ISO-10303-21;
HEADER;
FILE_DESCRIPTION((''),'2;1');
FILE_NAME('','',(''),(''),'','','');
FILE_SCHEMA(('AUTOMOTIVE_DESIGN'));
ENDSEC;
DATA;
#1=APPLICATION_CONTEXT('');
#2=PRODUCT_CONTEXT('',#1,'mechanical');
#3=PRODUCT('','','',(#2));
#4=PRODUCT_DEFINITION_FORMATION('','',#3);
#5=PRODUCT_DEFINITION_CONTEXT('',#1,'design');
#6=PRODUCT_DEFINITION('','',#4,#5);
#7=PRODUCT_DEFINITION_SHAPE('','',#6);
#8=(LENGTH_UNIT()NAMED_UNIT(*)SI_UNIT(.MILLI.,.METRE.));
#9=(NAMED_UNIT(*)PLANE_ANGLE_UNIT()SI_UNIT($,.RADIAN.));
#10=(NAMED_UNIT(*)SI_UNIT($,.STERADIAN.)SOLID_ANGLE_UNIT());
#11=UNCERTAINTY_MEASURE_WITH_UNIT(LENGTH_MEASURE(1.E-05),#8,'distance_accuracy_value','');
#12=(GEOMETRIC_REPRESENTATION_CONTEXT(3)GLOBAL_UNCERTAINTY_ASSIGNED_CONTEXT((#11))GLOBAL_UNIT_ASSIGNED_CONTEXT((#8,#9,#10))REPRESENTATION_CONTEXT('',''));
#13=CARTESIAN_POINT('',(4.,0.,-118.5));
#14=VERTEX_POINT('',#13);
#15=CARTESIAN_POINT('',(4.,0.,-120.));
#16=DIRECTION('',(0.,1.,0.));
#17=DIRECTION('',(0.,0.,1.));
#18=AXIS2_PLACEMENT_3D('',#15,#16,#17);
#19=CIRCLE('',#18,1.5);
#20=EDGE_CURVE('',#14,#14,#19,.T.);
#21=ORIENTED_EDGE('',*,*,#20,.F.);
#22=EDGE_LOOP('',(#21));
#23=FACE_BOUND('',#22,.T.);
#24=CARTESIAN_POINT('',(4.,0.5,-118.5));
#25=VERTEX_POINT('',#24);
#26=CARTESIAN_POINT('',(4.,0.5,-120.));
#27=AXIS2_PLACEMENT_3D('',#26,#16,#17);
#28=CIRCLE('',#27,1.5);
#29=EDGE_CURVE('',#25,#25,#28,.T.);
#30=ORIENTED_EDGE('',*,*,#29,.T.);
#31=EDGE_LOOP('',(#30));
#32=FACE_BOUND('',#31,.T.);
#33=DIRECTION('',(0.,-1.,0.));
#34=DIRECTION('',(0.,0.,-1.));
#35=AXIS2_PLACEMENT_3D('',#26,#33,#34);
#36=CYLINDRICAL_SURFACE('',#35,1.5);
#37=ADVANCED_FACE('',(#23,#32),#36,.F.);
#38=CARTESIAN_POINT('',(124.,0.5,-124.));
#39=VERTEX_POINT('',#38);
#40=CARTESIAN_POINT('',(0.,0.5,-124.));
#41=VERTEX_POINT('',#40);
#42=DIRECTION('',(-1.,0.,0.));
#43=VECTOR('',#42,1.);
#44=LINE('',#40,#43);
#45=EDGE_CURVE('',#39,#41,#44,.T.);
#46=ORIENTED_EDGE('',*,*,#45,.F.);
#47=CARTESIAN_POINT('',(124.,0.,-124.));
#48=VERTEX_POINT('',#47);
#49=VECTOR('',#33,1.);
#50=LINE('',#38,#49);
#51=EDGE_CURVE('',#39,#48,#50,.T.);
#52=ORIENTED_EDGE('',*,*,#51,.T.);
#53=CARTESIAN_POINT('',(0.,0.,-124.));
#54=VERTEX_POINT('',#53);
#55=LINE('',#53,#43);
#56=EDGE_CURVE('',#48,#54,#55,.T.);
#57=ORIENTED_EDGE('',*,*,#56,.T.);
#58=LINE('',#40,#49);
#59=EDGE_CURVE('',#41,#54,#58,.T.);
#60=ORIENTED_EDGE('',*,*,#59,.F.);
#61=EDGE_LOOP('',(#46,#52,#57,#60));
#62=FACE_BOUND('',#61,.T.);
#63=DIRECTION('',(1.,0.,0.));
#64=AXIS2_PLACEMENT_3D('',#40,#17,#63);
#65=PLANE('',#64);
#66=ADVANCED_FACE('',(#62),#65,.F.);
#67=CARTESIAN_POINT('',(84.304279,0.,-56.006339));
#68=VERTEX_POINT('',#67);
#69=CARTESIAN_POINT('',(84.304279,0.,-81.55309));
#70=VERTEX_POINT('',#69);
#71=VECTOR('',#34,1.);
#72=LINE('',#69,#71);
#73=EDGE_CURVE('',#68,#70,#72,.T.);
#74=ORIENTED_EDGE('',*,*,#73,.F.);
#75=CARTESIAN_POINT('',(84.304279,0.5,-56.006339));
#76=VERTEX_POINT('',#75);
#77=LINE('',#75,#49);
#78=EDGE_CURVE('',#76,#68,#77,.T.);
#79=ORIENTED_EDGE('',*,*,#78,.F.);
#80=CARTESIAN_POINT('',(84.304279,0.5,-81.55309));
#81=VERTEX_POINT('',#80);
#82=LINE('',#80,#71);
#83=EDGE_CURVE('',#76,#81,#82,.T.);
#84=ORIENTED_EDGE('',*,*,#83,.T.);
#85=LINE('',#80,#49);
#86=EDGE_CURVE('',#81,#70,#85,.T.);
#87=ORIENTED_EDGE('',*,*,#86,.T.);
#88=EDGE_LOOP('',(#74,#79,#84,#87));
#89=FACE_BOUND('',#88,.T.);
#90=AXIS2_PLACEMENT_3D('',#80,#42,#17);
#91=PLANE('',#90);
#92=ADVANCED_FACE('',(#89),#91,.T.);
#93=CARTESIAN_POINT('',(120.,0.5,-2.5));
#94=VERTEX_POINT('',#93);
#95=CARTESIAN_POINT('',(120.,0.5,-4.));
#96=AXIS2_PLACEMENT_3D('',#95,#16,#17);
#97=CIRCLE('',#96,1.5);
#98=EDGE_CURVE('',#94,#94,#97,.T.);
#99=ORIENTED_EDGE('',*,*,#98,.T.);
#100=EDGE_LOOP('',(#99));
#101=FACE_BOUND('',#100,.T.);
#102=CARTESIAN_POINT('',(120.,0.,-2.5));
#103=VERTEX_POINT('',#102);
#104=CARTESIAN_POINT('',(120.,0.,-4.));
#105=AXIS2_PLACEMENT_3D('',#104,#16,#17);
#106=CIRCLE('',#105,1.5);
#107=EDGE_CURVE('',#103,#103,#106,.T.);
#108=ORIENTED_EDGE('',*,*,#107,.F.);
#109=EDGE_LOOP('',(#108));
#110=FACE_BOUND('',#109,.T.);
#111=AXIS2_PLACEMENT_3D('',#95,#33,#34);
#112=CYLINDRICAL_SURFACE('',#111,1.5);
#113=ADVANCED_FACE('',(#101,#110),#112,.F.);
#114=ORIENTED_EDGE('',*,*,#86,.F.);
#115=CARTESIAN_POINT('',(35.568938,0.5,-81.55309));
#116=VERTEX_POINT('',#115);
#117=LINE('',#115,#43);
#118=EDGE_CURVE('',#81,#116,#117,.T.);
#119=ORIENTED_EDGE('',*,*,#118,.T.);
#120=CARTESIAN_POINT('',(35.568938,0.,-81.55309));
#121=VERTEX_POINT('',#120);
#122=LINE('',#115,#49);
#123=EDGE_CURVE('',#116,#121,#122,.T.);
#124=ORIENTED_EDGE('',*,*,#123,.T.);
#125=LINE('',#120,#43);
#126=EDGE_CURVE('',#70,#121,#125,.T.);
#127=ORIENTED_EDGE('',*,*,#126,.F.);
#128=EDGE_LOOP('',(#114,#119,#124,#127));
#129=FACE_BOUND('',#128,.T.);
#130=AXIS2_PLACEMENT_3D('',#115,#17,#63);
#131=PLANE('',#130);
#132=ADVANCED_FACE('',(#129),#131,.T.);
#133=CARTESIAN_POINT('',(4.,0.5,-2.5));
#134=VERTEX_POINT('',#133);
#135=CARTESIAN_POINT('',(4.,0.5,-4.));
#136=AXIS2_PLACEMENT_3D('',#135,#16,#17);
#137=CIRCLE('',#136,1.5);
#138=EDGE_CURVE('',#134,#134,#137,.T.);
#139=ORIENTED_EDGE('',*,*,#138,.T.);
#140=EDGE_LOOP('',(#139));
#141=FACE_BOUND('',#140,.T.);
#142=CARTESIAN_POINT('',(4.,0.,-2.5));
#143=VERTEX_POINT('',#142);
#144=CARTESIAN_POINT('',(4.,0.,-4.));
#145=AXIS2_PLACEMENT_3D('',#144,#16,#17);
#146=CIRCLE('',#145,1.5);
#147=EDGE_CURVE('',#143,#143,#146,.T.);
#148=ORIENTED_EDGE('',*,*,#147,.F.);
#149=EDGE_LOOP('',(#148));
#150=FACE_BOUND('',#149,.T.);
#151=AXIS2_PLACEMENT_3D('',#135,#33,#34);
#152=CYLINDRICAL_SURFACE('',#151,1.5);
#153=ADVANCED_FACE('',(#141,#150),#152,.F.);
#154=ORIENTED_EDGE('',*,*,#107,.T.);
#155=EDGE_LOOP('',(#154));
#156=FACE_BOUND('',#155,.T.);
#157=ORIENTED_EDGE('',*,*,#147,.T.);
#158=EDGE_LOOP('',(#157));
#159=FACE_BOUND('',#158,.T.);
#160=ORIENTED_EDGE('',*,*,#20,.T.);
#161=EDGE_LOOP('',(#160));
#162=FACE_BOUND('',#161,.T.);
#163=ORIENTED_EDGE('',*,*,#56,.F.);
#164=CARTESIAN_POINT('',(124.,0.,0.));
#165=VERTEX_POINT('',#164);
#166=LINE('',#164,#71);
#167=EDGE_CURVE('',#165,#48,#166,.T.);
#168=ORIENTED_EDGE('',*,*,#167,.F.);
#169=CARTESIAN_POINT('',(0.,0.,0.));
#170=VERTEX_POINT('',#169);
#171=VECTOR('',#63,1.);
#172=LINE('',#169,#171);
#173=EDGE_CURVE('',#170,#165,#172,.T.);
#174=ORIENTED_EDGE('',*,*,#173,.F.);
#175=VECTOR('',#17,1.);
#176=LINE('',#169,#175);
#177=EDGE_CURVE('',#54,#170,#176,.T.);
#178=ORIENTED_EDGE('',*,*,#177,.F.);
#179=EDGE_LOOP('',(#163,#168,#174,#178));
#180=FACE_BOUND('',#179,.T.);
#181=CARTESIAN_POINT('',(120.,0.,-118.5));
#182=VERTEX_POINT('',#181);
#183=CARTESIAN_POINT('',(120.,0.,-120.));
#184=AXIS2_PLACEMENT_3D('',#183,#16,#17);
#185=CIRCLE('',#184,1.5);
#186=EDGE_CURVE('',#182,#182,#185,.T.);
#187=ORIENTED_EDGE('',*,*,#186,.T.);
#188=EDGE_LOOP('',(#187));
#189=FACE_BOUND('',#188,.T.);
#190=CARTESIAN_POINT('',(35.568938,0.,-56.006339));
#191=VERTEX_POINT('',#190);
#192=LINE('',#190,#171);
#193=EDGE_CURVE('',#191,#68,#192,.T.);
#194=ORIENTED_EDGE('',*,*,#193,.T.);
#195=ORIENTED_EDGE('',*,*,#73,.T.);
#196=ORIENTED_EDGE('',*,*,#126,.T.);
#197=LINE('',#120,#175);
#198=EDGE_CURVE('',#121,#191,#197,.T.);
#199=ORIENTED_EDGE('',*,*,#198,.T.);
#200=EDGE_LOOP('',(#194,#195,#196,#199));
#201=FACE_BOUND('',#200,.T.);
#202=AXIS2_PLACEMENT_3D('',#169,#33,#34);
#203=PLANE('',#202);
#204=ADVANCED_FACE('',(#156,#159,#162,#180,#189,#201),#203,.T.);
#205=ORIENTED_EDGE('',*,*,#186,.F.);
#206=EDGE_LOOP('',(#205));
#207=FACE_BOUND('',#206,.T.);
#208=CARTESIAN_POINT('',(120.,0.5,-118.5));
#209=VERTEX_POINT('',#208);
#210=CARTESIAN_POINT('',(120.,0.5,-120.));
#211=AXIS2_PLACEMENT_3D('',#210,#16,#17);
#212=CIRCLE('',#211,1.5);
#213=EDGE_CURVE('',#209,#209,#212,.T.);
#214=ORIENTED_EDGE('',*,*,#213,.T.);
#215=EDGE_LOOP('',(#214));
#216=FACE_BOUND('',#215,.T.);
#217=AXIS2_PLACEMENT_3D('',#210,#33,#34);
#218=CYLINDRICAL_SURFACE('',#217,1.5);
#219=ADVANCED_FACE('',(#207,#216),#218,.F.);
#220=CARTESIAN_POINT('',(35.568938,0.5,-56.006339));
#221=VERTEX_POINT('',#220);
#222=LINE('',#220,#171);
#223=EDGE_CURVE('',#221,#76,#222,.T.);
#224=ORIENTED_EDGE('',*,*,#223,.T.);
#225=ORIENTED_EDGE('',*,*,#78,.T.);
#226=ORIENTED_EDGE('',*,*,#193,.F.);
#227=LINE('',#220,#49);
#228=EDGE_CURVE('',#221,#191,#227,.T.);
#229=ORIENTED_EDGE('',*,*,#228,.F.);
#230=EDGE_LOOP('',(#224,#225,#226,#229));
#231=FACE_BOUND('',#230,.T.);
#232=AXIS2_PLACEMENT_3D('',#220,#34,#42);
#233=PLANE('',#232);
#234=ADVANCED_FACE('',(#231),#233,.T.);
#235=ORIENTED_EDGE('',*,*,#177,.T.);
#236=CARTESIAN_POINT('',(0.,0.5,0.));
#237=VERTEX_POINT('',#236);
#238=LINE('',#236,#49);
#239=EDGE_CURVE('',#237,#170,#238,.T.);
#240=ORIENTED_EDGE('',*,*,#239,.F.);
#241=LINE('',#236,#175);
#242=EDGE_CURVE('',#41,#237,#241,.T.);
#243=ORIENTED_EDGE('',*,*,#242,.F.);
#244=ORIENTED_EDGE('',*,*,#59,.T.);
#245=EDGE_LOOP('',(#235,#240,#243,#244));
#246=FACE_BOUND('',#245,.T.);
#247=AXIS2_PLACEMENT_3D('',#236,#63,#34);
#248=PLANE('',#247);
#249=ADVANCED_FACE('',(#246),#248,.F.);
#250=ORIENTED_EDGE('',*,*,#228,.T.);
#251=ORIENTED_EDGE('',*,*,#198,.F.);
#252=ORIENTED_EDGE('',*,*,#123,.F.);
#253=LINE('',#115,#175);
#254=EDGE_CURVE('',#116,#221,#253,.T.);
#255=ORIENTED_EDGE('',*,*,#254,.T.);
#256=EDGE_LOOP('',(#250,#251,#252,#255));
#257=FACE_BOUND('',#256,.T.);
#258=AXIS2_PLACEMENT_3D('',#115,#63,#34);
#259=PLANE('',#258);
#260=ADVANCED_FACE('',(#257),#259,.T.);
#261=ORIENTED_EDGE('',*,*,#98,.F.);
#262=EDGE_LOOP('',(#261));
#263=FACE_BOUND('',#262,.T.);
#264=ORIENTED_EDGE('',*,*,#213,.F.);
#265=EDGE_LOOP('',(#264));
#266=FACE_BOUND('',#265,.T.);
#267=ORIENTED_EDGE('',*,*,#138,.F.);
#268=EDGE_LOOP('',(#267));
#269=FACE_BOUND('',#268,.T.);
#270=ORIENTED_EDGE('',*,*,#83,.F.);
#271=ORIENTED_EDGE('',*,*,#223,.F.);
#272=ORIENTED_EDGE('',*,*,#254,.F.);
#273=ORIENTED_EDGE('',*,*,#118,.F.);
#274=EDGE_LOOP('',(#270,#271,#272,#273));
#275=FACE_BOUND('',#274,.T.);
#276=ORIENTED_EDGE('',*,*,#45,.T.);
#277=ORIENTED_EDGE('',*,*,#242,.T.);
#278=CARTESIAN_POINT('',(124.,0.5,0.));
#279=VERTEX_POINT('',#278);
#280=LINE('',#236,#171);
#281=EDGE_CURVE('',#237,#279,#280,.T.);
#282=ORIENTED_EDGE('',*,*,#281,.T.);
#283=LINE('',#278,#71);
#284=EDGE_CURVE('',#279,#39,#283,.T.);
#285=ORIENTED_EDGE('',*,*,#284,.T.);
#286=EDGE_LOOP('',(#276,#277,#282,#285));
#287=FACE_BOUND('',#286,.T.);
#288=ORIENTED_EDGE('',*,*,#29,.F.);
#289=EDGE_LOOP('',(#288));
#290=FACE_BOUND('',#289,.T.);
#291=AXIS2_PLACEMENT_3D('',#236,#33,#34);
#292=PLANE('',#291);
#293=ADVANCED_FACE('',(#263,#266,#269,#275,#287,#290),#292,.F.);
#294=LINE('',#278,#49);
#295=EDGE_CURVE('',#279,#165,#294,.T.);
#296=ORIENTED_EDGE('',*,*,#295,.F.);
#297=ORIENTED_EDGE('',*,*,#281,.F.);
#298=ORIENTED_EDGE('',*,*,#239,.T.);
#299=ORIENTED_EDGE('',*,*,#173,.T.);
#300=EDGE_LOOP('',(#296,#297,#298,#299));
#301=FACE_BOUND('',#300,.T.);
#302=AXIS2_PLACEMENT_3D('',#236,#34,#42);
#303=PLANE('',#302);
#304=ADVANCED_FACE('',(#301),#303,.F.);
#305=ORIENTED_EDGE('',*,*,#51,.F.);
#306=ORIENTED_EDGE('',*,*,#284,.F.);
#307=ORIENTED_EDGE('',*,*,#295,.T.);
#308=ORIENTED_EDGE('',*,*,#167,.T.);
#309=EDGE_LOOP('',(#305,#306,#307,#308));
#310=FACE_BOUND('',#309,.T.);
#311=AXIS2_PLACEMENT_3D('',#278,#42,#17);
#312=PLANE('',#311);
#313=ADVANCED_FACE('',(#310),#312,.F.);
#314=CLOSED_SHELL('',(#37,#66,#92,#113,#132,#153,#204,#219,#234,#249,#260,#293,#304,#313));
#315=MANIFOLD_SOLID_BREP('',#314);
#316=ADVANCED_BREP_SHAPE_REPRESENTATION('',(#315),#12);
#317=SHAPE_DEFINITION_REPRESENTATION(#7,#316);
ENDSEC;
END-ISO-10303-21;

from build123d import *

# Parameters (mm, degrees)
SKETCH_1_W      = 124
SKETCH_1_H      = 124
SKETCH_1_R      = 1.5
SKETCH_1_W_2    = 48.735340729
SKETCH_1_H_2    = 25.546751189
EXTRUDE_1_DEPTH = 0.5


with BuildPart() as part:
    # Эскиз1 → Бобышка-Вытянуть1 (new body)
    with BuildSketch(Plane(origin=(0, 0, 0), x_dir=(1, 0, 0), z_dir=(0, 1, 0))):
        with Locations((62, 62)):
            Rectangle(SKETCH_1_W, SKETCH_1_H)
        with Locations((4, 120)):
            Circle(SKETCH_1_R, mode=Mode.SUBTRACT)
        with Locations((120, 120)):
            Circle(SKETCH_1_R, mode=Mode.SUBTRACT)
        with Locations((120, 4)):
            Circle(SKETCH_1_R, mode=Mode.SUBTRACT)
        with Locations((4, 4)):
            Circle(SKETCH_1_R, mode=Mode.SUBTRACT)
        with Locations((59.936608558, 68.779714739)):
            Rectangle(SKETCH_1_W_2, SKETCH_1_H_2, mode=Mode.SUBTRACT)
    extrude(amount=EXTRUDE_1_DEPTH)


solid = part.part
